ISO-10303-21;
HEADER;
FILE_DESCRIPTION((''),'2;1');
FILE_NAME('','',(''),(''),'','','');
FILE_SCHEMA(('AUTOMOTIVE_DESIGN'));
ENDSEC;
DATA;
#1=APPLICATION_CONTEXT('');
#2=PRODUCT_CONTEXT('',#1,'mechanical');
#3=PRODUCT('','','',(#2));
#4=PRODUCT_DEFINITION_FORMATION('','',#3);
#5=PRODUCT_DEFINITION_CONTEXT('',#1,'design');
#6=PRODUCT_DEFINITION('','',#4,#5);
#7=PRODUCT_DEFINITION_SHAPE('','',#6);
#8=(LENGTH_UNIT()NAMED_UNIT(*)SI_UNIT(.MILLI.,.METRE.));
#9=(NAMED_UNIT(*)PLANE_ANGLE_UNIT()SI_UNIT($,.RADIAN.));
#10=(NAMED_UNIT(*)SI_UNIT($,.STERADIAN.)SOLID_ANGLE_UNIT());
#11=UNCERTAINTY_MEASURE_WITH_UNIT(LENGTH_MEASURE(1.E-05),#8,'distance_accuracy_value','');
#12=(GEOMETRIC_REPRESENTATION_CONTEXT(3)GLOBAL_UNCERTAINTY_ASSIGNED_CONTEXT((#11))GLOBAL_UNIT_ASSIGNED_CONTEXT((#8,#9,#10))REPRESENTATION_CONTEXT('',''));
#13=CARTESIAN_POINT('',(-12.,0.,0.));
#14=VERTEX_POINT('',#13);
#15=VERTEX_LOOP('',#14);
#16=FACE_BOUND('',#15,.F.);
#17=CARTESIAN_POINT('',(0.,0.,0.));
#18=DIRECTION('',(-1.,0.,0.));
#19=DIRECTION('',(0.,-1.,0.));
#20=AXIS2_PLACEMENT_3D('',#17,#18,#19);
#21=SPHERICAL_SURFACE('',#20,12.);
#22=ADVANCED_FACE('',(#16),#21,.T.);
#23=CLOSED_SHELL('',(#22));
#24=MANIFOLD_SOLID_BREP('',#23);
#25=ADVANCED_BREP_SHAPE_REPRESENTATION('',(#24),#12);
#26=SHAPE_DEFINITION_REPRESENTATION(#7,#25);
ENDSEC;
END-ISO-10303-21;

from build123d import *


with BuildPart() as part:
    # Sketch1 → Revolve1 (revolve)
    with BuildSketch(Plane.XY):
        with BuildLine():
            Line((-12, 0), (12, 0))
            ThreePointArc((12, 0), (0, -12), (-12, 0))
        make_face()
    revolve(axis=Axis((-12, 0, 0), (1, 0, 0)))


solid = part.part
